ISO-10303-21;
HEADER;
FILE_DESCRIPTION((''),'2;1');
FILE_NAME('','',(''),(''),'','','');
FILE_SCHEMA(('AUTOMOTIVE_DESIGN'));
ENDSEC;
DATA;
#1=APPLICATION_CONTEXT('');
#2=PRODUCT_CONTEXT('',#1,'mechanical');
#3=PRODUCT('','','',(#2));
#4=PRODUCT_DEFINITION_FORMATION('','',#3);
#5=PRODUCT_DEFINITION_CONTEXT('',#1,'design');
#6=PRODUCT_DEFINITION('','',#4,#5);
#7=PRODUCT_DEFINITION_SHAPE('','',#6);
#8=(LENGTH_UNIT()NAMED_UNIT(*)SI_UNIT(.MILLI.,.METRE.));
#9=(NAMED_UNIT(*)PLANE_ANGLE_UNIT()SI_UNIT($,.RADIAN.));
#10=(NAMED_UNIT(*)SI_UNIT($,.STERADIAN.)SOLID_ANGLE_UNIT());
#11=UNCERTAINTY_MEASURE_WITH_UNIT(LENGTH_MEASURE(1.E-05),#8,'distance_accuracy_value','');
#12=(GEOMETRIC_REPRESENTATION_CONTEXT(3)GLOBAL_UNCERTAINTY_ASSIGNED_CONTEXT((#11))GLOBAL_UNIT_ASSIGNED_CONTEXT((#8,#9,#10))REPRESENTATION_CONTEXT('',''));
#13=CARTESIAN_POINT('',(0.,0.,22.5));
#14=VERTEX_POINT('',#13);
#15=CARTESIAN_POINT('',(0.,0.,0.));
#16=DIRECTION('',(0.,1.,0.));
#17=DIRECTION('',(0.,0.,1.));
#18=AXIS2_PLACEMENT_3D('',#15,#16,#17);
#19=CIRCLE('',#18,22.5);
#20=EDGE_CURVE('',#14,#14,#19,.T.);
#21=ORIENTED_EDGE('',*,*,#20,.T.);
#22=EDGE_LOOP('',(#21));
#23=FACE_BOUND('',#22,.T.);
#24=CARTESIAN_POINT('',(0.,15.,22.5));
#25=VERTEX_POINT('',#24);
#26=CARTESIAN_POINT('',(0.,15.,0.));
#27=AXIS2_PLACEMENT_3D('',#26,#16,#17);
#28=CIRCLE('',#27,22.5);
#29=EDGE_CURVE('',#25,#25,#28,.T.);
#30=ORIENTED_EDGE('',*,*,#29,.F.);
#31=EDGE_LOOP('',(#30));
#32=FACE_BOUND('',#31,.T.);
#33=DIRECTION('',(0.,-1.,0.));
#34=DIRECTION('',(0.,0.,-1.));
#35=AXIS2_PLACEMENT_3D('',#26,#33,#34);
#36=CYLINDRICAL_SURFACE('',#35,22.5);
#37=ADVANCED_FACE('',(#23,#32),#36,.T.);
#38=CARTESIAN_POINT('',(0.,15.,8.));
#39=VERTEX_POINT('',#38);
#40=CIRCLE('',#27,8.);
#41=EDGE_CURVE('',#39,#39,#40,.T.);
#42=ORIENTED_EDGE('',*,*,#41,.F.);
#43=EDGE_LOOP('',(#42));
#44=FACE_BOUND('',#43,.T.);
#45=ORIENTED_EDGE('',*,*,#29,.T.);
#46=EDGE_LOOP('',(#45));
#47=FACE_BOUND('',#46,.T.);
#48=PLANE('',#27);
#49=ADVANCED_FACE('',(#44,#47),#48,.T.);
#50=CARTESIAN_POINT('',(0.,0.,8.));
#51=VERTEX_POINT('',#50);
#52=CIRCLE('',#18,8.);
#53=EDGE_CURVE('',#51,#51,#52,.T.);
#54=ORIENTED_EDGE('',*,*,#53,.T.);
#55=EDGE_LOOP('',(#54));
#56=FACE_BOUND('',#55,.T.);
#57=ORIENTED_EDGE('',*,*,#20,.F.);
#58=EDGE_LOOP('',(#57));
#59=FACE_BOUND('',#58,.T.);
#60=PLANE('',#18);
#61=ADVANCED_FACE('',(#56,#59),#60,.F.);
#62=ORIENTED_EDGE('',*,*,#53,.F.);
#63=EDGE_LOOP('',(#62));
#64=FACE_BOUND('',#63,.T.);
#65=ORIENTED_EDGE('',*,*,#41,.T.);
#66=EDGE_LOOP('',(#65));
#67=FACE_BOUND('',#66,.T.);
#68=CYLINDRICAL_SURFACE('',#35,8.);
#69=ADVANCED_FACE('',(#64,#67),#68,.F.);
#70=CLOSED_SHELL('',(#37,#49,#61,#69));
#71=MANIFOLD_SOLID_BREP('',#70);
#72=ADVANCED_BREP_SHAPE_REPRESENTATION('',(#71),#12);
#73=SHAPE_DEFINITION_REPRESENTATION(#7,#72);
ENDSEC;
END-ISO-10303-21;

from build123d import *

# Parameters (mm, degrees)
SKETCH_1_R      = 22.5
SKETCH_1_R_2    = 8
EXTRUDE_1_DEPTH = 15


with BuildPart() as part:
    # 草图1 → 凸台-拉伸1 (new body)
    with BuildSketch(Plane(origin=(0, 0, 0), x_dir=(1, 0, 0), z_dir=(0, 1, 0))):
        Circle(SKETCH_1_R)
        Circle(SKETCH_1_R_2, mode=Mode.SUBTRACT)
    extrude(amount=EXTRUDE_1_DEPTH)


solid = part.part
